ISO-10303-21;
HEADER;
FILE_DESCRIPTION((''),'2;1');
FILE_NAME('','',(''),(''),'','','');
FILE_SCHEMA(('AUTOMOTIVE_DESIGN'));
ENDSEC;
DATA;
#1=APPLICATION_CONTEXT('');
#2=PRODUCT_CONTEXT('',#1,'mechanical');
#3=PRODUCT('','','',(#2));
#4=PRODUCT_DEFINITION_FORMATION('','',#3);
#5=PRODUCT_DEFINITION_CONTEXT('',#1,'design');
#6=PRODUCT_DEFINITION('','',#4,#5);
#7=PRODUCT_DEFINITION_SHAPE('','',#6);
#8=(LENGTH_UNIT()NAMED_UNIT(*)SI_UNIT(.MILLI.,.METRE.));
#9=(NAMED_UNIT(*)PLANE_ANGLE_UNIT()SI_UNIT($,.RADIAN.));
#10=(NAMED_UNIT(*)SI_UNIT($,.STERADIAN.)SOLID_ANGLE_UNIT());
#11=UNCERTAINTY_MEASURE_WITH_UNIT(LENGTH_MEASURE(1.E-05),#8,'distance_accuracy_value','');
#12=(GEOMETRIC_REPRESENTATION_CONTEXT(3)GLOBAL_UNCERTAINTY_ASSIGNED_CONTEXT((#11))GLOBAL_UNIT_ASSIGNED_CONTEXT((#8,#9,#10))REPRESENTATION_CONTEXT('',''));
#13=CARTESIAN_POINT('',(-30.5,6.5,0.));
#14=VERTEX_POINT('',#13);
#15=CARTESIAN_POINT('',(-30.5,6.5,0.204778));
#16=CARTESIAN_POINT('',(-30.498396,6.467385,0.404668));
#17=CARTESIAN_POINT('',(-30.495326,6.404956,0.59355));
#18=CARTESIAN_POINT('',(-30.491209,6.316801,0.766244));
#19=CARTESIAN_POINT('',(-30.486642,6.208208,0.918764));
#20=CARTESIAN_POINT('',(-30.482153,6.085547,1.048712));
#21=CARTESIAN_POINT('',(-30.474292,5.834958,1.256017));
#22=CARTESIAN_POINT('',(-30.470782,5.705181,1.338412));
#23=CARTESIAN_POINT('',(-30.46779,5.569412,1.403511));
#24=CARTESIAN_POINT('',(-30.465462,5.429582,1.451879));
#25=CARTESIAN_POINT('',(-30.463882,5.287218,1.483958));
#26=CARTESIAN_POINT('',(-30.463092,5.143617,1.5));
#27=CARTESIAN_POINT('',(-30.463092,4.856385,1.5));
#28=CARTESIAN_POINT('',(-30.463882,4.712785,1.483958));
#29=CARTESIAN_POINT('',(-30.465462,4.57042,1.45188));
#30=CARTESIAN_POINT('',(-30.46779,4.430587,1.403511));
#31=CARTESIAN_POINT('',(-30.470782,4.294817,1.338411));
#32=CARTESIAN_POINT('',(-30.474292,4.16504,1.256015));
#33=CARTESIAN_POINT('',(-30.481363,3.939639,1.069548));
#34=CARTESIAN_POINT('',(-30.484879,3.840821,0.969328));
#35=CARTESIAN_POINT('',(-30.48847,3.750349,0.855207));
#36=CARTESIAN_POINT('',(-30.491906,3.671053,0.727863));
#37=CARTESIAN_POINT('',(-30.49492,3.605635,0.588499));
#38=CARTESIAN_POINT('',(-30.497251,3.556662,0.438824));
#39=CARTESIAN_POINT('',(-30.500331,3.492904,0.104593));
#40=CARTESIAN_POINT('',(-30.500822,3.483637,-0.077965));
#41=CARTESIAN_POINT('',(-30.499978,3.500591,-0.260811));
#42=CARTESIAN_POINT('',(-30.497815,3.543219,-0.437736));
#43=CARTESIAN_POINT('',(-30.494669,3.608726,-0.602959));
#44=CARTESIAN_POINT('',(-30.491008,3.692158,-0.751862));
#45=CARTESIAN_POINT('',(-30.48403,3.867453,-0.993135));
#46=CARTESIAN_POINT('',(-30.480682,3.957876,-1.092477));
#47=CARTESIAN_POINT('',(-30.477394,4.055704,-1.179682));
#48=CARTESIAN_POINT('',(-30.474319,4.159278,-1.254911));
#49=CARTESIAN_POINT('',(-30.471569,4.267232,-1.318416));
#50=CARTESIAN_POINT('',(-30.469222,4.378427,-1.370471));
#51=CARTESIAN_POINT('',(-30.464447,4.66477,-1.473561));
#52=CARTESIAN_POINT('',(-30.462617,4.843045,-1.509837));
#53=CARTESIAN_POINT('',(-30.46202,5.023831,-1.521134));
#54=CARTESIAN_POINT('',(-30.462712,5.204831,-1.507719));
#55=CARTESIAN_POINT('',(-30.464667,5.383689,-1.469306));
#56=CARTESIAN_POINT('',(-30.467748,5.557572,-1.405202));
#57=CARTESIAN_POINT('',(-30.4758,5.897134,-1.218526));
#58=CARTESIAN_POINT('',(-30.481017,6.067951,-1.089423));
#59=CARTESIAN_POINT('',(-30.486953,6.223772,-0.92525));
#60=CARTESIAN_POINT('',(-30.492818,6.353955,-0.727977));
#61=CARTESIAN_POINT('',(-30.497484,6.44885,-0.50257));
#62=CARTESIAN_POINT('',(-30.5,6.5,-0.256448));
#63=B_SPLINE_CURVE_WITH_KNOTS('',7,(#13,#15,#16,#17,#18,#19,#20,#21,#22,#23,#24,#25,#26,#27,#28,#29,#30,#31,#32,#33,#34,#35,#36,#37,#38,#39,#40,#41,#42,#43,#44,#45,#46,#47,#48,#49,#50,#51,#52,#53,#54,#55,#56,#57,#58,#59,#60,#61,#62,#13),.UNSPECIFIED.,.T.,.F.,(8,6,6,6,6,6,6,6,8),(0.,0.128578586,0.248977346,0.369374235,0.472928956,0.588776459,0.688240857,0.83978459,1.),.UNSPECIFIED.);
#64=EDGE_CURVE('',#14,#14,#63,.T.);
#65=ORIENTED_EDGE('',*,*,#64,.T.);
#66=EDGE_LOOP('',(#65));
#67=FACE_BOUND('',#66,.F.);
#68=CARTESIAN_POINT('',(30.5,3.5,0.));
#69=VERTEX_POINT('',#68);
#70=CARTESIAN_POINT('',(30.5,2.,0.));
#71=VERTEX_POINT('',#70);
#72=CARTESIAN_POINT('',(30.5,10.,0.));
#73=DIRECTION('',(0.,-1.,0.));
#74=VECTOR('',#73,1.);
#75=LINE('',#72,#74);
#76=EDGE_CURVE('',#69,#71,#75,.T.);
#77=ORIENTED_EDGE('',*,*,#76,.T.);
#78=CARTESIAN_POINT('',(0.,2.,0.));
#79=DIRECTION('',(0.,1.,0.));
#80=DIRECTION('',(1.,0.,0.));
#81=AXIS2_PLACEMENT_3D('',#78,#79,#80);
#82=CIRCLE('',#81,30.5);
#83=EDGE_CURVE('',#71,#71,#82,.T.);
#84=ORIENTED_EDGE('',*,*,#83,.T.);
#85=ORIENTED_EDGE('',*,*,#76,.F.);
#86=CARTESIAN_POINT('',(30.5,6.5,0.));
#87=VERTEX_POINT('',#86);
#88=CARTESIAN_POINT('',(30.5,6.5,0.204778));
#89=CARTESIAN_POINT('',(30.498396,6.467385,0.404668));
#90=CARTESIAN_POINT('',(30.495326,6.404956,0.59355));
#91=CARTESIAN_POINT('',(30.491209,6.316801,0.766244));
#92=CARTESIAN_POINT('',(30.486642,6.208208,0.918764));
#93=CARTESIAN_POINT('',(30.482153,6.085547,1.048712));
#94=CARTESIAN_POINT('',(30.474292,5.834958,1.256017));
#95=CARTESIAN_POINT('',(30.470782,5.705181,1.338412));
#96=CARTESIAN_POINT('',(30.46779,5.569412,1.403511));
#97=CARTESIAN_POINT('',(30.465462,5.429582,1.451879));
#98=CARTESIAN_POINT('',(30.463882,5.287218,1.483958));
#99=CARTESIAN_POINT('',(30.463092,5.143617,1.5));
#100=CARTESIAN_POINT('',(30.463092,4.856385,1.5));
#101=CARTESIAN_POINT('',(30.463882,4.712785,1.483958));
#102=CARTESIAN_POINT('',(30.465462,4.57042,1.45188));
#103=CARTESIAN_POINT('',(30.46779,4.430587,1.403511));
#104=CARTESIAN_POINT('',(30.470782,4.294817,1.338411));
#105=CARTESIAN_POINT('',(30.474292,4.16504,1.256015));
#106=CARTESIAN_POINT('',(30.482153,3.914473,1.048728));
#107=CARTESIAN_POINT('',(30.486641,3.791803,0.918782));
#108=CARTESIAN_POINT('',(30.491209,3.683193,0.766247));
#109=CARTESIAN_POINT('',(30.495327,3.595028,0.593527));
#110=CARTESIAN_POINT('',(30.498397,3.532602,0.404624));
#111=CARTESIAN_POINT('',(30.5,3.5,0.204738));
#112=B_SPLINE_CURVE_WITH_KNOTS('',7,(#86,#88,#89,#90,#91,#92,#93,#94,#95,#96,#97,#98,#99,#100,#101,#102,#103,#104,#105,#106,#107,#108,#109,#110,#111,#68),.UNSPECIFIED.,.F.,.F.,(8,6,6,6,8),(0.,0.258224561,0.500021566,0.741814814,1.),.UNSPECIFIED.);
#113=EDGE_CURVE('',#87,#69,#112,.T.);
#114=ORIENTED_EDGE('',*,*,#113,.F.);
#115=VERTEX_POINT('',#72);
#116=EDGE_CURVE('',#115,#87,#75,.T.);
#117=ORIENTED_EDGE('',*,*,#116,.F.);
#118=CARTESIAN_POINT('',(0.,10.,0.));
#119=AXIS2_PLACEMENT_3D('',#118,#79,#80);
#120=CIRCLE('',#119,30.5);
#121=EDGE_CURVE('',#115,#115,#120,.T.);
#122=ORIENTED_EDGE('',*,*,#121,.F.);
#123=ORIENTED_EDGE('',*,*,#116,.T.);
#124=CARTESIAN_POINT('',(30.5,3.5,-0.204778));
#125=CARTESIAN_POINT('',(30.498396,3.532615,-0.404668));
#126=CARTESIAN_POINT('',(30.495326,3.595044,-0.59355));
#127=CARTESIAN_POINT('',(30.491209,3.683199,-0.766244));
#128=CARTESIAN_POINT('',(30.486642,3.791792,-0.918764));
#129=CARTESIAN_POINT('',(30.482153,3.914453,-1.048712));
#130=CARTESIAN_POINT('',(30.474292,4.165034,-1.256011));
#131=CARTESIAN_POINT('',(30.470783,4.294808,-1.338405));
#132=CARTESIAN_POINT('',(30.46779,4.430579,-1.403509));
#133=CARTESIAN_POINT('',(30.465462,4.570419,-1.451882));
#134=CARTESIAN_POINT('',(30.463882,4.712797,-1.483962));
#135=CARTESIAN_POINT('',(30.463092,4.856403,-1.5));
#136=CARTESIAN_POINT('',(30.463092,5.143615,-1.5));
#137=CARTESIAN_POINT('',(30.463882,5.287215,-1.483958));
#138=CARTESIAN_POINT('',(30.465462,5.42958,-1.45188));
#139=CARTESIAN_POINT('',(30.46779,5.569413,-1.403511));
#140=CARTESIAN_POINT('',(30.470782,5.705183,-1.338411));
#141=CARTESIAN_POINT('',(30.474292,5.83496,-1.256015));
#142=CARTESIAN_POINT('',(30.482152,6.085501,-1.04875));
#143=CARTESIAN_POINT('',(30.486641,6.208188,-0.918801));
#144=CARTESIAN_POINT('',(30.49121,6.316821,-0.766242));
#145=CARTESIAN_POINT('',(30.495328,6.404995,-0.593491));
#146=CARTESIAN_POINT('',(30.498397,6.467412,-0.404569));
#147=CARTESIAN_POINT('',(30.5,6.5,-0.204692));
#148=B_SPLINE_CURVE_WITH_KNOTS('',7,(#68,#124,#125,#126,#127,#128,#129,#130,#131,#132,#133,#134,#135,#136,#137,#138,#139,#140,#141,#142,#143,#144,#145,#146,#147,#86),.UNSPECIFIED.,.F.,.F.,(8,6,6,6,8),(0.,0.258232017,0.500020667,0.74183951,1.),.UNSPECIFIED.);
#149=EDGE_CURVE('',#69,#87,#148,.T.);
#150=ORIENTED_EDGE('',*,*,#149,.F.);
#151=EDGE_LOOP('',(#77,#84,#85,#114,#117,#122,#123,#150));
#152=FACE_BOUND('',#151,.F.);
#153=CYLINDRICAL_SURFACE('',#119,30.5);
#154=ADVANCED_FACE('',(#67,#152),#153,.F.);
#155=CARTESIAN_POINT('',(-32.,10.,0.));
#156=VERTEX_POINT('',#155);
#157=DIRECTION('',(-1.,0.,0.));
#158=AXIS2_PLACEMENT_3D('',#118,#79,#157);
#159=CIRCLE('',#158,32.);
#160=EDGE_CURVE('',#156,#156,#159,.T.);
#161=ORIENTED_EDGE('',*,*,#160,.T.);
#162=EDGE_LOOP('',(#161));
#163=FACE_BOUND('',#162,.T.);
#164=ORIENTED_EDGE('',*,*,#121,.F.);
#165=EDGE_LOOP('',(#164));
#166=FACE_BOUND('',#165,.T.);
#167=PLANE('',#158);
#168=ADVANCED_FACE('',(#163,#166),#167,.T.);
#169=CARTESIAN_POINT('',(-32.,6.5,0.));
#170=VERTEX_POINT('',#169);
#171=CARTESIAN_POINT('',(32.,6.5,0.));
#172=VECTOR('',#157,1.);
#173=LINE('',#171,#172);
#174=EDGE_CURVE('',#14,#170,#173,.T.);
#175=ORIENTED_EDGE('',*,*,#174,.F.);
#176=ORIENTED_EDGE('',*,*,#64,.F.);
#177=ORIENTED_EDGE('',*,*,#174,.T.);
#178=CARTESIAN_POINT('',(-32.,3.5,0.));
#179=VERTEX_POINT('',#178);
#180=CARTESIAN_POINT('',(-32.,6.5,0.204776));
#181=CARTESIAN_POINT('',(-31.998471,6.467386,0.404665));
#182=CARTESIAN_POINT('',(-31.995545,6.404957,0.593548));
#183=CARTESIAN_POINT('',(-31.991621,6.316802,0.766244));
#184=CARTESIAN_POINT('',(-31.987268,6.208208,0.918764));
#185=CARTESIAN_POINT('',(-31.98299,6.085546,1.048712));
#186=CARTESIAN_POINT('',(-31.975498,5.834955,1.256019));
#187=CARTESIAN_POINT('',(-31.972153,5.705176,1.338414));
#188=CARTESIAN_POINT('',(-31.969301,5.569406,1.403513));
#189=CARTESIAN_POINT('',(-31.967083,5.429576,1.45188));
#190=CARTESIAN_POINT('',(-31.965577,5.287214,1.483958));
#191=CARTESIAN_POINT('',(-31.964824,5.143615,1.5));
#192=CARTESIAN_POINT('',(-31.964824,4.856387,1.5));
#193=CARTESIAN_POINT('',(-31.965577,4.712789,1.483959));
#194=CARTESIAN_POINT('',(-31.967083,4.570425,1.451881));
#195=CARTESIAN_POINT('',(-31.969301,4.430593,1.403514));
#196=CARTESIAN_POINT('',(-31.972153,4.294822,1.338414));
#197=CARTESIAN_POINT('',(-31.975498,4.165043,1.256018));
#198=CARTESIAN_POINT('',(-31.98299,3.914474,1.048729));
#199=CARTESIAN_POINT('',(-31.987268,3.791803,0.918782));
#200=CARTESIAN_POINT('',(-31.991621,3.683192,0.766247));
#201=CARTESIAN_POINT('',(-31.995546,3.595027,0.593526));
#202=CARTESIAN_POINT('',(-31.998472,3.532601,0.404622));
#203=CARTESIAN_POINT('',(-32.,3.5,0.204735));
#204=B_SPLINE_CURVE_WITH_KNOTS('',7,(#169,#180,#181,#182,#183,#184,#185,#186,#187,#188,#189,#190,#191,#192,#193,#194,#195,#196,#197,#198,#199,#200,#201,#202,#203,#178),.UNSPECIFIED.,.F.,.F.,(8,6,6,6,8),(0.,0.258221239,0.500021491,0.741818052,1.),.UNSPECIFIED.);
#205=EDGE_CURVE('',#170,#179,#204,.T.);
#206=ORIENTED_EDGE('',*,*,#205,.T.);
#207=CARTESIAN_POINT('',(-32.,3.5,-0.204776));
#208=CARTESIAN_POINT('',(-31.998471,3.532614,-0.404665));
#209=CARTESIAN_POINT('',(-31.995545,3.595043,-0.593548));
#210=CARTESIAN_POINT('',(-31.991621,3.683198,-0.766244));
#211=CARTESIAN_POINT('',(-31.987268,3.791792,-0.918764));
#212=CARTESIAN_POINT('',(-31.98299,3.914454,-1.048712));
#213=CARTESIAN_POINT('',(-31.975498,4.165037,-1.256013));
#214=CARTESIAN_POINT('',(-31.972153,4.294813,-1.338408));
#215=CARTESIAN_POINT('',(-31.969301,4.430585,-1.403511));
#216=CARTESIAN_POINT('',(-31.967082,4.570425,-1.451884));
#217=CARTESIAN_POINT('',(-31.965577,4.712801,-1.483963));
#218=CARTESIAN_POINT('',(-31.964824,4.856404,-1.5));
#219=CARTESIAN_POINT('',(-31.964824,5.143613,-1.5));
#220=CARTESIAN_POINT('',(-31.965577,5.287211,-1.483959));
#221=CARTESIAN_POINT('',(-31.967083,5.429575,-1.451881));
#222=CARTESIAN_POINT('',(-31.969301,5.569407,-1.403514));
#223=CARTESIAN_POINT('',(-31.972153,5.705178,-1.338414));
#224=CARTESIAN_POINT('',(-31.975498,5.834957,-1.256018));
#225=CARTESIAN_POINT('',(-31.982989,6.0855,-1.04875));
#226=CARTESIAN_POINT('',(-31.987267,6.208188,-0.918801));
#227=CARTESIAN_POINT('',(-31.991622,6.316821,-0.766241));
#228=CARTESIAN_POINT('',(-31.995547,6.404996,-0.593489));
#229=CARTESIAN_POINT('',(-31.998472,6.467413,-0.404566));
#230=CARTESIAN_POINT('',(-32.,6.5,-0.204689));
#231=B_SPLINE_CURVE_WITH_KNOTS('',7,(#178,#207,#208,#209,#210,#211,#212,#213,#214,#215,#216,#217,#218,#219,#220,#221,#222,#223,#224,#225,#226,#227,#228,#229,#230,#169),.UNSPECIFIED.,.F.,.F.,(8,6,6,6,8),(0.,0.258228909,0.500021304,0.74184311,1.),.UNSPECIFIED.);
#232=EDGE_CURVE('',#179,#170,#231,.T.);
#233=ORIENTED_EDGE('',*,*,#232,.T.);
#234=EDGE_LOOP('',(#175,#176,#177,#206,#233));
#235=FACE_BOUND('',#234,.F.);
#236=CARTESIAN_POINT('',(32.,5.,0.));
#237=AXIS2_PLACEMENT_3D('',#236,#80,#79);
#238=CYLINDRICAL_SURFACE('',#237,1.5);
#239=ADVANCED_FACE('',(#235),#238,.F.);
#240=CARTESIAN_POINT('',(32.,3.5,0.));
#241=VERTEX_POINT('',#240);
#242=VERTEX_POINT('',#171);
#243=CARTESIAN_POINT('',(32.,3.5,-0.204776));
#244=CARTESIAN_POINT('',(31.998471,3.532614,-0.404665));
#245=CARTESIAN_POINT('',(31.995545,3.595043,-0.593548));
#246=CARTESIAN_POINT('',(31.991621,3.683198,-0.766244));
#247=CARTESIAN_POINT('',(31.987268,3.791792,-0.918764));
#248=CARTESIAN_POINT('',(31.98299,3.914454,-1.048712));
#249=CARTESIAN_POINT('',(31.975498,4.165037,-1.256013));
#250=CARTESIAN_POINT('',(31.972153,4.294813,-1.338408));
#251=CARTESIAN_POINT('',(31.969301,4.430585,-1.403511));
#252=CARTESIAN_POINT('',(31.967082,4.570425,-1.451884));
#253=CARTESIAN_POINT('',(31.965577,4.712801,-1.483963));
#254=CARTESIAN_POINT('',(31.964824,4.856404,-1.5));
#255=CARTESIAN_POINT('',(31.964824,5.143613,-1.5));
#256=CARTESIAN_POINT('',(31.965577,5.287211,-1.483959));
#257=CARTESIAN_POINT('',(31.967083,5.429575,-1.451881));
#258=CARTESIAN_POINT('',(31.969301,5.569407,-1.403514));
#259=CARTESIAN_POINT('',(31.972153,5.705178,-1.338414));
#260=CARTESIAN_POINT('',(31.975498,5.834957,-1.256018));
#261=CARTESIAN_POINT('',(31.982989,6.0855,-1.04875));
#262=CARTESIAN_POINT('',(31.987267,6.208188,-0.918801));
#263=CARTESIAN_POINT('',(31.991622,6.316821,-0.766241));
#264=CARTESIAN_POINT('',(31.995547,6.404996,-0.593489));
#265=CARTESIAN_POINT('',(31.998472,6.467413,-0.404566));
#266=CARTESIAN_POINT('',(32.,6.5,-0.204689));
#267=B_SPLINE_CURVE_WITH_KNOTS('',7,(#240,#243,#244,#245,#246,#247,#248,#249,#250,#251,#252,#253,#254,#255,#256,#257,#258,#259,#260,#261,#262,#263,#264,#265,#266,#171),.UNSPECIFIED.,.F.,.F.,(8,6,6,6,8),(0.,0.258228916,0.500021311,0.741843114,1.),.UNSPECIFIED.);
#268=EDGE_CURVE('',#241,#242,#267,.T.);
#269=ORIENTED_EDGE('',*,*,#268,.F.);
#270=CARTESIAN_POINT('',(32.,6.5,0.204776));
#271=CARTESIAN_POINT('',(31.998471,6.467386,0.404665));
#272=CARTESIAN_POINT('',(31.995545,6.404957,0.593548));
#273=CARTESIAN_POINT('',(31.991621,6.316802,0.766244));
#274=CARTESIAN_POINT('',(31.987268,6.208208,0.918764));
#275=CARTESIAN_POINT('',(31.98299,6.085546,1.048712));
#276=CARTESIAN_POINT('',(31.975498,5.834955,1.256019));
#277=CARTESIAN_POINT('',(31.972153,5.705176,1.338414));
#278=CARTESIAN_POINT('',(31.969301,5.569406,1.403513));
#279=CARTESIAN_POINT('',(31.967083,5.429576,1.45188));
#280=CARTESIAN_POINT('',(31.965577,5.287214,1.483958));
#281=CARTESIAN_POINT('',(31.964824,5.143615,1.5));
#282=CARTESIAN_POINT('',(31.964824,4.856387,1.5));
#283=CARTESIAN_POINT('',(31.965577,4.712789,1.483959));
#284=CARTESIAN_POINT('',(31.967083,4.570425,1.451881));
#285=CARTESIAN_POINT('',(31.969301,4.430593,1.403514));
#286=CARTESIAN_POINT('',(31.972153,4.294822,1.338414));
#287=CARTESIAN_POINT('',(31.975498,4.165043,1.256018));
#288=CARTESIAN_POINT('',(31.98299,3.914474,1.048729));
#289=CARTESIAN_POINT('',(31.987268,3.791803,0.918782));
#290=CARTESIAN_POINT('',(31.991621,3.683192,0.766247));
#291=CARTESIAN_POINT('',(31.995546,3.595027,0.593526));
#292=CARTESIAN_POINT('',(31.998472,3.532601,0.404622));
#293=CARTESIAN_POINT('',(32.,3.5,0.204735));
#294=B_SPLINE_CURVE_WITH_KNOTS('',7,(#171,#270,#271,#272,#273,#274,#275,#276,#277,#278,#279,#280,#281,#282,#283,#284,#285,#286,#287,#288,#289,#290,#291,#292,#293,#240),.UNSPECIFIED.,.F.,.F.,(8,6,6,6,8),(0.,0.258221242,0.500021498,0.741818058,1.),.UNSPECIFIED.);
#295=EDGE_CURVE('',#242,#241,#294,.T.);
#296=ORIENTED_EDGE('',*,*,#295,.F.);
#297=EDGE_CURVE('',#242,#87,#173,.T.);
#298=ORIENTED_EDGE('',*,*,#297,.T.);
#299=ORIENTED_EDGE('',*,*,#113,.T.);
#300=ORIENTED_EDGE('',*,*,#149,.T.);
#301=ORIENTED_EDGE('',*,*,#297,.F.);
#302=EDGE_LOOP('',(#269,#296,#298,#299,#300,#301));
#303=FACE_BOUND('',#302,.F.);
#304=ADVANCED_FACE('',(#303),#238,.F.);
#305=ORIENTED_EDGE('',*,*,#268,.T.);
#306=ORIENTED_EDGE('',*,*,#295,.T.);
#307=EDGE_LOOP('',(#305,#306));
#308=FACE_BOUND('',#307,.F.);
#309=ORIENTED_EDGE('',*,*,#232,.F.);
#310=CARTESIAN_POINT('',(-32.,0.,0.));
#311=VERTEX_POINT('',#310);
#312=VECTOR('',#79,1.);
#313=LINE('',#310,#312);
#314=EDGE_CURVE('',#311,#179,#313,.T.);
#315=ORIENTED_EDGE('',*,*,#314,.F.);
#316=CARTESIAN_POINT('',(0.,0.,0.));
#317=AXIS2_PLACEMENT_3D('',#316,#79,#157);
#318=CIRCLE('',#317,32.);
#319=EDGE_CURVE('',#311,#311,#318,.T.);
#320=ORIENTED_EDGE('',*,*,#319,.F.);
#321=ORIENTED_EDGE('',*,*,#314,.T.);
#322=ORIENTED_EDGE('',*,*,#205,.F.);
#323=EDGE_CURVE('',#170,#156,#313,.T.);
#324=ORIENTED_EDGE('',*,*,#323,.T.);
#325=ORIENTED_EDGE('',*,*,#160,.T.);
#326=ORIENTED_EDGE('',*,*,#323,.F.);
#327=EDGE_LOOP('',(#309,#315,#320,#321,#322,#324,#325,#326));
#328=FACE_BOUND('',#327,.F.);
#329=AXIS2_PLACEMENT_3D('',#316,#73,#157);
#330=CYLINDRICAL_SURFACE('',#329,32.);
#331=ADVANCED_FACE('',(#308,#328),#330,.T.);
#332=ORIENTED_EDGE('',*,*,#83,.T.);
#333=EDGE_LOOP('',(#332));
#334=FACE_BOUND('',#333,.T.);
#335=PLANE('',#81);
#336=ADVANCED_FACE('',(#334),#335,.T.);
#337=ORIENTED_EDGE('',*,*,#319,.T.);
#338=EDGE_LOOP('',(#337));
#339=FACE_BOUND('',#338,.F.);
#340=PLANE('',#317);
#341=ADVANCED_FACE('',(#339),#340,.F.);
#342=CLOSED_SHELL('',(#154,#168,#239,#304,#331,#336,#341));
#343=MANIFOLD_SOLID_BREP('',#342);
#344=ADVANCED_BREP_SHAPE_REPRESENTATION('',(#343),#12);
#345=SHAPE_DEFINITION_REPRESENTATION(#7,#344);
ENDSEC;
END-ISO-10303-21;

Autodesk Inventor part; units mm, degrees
ref_plane "XZ Plane" through (0, 0, 0) normal (0, 1, 0) x (-1, 0, 0)
ref_plane "XY Plane" through (0, 0, 0) normal (0, 0, 1) x (1, 0, 0)
sketch "Sketch1" plane through (0, 0, 0) normal (0, 1, 0) x (-1, 0, 0)
  circle A0 centre (0, 0) radius 32
  dimension "d0" = 64
extrude "Extrusion1" add sketch "Sketch1" along normal blind 10
sketch "Sketch2" plane through (0, 10, 0) normal (0, 1, 0) x (1, 0, 0)
  circle A0 centre (0, 0) radius 30.5
  dimension "d3" = 61
extrude "Extrusion2" cut sketch "Sketch2" against normal blind 8
ref_plane "Work Plane1" through (32, 0, 0) normal (1, 0, 0) x (0, 1, 0)
sketch "Sketch5" plane through (32, 0, 0) normal (1, 0, 0) x (0, 1, 0)
  circle A0 centre (5, 0) radius 1.5
  line L0 (10, -32) -> (10, 32) projected
  point P0 (0, 0)
  dimension "d7" = 3
  dimension "d8" = 5
extrude "Extrusion3" cut sketch "Sketch5" against normal through all
properties part number "bouchon"
